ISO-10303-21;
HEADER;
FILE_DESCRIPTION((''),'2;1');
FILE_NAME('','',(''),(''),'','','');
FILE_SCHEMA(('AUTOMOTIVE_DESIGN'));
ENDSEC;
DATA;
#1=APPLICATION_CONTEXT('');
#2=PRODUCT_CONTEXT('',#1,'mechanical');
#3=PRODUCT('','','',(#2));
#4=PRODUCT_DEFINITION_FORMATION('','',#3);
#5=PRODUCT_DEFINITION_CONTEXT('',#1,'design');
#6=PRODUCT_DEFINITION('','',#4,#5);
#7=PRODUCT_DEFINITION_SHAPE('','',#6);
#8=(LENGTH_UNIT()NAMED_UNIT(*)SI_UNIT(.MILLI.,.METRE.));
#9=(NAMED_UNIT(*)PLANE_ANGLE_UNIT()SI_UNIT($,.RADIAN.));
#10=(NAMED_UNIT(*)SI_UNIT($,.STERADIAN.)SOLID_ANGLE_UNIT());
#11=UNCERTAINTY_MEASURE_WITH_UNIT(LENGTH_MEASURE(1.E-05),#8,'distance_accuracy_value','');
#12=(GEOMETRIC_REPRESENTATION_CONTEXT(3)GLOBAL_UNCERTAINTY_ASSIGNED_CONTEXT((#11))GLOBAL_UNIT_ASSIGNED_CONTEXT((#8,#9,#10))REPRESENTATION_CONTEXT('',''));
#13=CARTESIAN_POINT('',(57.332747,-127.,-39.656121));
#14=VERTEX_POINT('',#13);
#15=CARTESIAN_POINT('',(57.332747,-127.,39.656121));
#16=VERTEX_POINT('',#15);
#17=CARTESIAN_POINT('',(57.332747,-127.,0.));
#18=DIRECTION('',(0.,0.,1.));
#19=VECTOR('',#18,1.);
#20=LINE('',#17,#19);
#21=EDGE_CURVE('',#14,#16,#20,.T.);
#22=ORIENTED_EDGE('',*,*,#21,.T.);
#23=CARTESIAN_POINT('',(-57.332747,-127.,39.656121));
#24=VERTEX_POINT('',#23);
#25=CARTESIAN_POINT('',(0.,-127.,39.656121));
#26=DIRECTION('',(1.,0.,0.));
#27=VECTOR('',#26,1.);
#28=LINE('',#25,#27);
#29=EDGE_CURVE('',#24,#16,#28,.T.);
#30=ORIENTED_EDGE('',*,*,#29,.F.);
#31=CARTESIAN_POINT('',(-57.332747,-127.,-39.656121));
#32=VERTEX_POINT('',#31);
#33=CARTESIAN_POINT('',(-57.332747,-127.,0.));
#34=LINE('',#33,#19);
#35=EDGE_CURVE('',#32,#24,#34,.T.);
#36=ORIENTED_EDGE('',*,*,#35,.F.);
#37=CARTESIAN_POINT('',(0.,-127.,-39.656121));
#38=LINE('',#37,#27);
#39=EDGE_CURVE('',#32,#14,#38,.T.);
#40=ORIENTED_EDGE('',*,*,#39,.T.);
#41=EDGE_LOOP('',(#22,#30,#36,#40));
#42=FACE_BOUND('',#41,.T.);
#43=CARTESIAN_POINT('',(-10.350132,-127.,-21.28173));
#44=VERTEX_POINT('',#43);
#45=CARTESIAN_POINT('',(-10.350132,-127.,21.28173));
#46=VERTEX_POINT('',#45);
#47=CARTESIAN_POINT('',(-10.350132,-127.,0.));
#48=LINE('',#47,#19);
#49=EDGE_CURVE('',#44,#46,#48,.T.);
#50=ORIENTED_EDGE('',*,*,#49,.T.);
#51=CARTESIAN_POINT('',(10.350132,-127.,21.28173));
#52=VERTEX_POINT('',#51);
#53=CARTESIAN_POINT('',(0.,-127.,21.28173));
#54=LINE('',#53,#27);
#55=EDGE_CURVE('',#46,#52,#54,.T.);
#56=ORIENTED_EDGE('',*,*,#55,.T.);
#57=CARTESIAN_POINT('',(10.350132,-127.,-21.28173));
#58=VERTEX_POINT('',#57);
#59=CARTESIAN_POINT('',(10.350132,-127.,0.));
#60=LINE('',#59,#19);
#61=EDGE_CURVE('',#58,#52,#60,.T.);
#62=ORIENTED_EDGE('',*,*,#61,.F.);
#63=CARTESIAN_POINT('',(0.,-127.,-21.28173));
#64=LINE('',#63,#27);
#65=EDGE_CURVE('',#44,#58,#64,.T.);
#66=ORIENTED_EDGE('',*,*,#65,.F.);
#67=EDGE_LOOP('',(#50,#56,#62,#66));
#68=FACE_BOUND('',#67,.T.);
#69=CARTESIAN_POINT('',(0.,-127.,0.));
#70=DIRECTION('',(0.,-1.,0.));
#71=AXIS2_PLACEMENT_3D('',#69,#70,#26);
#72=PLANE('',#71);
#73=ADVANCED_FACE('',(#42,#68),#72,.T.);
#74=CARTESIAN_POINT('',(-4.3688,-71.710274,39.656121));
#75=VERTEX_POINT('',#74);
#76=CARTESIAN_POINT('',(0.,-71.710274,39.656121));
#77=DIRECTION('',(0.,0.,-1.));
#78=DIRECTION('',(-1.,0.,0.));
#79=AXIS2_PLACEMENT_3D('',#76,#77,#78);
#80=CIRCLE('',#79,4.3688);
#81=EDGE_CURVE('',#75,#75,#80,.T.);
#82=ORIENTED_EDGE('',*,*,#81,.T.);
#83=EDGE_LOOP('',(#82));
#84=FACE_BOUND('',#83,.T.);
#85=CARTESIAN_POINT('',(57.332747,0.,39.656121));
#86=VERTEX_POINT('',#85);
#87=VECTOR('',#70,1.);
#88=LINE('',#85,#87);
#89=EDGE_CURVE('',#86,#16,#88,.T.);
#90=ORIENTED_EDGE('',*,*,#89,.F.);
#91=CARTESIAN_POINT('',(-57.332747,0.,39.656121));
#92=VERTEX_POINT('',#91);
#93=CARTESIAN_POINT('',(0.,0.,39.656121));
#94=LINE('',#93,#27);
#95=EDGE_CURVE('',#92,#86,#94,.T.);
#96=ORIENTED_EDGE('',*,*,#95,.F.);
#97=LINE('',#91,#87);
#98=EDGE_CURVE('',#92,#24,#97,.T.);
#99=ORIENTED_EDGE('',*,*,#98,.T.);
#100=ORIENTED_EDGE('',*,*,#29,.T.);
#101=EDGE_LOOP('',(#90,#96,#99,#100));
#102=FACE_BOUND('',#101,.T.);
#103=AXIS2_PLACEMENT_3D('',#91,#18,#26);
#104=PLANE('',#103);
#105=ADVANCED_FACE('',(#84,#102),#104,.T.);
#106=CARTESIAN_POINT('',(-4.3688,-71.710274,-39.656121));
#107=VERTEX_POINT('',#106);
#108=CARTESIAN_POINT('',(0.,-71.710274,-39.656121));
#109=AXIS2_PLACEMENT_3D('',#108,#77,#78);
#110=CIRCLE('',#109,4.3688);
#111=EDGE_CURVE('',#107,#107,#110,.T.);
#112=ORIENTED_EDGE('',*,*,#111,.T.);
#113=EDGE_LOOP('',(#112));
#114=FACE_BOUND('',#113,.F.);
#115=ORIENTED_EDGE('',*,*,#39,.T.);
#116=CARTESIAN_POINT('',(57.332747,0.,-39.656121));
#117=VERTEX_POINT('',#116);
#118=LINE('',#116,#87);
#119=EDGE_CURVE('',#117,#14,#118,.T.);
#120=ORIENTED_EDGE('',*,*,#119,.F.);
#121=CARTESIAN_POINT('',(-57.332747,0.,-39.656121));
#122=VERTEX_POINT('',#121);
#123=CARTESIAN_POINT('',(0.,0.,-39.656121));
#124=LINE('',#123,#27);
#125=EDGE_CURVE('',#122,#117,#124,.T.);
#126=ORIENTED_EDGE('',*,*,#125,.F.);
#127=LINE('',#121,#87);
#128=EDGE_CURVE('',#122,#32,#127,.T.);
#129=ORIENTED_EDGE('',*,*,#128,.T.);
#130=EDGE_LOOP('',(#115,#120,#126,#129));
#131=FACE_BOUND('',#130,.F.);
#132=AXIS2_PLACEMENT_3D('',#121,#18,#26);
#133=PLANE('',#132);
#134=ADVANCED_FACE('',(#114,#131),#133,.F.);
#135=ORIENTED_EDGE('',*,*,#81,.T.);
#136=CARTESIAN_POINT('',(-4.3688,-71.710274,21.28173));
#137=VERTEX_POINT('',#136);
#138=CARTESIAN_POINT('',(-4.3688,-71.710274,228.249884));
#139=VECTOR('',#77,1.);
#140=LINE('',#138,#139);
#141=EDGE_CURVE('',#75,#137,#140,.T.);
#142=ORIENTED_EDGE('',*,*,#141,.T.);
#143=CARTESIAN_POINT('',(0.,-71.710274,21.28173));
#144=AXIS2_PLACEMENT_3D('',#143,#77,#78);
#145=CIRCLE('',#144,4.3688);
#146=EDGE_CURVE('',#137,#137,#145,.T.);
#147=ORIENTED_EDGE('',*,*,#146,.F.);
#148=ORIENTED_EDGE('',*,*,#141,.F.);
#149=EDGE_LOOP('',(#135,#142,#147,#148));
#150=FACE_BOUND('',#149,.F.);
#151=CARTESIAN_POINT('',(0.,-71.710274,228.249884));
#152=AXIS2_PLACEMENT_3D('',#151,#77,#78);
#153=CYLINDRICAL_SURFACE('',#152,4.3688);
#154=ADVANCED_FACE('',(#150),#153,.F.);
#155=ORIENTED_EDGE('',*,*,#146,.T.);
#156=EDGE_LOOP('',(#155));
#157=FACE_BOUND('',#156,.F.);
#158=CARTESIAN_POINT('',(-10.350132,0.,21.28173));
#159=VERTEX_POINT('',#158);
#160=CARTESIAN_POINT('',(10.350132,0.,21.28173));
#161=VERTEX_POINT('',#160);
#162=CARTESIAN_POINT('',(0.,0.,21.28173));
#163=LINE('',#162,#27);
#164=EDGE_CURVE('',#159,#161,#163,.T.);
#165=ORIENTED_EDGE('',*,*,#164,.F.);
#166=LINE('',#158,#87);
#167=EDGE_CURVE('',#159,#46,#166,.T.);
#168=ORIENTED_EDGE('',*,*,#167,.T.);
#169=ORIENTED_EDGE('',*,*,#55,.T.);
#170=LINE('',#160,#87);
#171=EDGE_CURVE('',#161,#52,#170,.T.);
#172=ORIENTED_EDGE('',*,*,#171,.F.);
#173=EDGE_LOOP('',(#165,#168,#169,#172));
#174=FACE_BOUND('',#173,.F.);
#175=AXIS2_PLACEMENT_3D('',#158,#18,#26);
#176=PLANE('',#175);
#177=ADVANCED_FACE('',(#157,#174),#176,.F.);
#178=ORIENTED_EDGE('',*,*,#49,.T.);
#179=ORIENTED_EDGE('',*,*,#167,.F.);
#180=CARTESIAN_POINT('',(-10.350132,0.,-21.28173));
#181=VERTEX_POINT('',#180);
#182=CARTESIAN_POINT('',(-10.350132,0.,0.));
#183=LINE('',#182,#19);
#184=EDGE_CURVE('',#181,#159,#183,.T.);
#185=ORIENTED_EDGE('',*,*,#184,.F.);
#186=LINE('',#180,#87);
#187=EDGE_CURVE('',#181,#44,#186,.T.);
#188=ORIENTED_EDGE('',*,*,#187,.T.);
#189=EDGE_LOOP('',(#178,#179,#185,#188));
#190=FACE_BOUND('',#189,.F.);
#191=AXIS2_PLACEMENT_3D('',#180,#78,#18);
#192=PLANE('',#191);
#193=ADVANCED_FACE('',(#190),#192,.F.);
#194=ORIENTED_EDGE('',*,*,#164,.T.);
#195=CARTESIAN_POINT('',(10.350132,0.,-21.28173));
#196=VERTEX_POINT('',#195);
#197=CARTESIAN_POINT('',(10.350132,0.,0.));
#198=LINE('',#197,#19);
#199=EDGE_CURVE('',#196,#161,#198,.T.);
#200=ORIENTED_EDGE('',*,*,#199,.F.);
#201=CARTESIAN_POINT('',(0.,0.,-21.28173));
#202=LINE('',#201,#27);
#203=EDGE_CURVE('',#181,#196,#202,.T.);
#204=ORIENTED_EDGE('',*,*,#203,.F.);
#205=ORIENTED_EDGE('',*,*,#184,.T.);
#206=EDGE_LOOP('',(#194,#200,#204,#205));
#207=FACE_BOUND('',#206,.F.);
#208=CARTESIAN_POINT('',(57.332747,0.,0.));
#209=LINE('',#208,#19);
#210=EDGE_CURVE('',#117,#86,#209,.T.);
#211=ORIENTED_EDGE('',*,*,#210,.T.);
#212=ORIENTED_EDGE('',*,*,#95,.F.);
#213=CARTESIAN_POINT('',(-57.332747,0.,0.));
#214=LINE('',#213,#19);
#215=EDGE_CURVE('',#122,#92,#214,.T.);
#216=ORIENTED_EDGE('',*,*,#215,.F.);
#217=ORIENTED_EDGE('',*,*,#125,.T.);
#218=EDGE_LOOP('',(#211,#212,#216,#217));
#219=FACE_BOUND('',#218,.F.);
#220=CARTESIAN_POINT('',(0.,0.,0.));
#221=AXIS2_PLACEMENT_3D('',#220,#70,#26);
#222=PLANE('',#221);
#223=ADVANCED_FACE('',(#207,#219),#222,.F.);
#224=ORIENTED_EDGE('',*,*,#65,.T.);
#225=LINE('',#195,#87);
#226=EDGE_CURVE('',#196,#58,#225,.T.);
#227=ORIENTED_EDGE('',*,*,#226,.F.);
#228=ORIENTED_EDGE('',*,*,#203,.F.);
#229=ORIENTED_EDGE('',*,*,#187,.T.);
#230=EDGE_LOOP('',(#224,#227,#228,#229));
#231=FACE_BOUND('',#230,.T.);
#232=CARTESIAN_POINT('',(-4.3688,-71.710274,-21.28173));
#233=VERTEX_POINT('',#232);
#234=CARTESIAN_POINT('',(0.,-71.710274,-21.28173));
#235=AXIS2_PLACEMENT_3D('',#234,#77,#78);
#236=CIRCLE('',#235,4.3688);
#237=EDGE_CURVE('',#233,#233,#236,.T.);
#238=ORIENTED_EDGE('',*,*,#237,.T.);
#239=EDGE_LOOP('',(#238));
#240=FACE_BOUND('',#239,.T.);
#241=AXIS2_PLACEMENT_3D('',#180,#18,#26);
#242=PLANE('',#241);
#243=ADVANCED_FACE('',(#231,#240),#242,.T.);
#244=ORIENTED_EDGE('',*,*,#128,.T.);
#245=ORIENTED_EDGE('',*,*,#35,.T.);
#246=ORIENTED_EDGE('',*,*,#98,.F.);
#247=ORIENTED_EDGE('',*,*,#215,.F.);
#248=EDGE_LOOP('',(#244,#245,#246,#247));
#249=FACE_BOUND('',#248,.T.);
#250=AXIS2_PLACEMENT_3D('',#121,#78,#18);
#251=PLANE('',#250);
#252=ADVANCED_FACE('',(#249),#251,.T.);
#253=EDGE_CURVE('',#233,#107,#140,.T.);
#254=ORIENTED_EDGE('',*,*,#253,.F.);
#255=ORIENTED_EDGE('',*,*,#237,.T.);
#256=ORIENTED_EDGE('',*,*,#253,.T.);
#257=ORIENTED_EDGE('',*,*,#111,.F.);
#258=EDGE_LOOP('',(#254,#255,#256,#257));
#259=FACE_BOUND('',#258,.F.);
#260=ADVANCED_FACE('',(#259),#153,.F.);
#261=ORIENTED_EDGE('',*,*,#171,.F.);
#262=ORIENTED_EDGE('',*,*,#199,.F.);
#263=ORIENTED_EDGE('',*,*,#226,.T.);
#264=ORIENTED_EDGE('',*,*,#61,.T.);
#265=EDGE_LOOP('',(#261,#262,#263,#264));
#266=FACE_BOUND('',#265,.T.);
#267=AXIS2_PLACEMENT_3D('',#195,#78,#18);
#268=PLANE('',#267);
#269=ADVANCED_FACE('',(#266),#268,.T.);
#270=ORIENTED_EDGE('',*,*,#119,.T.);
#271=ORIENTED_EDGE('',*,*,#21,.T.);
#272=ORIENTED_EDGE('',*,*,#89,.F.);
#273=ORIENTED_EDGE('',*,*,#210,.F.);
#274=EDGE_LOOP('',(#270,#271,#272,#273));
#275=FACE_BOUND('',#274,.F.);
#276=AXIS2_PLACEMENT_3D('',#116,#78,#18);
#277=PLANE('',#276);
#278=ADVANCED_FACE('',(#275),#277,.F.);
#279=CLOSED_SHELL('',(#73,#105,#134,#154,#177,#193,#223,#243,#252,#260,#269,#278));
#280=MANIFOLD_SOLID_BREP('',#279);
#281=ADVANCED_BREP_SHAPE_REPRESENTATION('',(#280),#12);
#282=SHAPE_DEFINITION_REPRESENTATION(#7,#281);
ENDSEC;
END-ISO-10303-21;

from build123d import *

# Parameters (mm, degrees)
F0_W     = 114.6654933691
F0_H     = 79.3122425675
F0_W_2   = 20.7002647221
F0_H_2   = 42.5634607673
F1_DEPTH = 127
F3_D     = 8.7376


with BuildPart() as f1:
    # F0 (on Front) → F1 (new body)
    with BuildSketch(Plane.XZ):
        Rectangle(F0_W, F0_H)
        Rectangle(F0_W_2, F0_H_2, mode=Mode.SUBTRACT)
    extrude(amount=F1_DEPTH)

    # F3 (through all)
    with Locations(Plane.XY.offset(39.6561212838)):
        with Locations((0, -71.7102736235)):
            Hole(F3_D / 2)


solid = f1.part
